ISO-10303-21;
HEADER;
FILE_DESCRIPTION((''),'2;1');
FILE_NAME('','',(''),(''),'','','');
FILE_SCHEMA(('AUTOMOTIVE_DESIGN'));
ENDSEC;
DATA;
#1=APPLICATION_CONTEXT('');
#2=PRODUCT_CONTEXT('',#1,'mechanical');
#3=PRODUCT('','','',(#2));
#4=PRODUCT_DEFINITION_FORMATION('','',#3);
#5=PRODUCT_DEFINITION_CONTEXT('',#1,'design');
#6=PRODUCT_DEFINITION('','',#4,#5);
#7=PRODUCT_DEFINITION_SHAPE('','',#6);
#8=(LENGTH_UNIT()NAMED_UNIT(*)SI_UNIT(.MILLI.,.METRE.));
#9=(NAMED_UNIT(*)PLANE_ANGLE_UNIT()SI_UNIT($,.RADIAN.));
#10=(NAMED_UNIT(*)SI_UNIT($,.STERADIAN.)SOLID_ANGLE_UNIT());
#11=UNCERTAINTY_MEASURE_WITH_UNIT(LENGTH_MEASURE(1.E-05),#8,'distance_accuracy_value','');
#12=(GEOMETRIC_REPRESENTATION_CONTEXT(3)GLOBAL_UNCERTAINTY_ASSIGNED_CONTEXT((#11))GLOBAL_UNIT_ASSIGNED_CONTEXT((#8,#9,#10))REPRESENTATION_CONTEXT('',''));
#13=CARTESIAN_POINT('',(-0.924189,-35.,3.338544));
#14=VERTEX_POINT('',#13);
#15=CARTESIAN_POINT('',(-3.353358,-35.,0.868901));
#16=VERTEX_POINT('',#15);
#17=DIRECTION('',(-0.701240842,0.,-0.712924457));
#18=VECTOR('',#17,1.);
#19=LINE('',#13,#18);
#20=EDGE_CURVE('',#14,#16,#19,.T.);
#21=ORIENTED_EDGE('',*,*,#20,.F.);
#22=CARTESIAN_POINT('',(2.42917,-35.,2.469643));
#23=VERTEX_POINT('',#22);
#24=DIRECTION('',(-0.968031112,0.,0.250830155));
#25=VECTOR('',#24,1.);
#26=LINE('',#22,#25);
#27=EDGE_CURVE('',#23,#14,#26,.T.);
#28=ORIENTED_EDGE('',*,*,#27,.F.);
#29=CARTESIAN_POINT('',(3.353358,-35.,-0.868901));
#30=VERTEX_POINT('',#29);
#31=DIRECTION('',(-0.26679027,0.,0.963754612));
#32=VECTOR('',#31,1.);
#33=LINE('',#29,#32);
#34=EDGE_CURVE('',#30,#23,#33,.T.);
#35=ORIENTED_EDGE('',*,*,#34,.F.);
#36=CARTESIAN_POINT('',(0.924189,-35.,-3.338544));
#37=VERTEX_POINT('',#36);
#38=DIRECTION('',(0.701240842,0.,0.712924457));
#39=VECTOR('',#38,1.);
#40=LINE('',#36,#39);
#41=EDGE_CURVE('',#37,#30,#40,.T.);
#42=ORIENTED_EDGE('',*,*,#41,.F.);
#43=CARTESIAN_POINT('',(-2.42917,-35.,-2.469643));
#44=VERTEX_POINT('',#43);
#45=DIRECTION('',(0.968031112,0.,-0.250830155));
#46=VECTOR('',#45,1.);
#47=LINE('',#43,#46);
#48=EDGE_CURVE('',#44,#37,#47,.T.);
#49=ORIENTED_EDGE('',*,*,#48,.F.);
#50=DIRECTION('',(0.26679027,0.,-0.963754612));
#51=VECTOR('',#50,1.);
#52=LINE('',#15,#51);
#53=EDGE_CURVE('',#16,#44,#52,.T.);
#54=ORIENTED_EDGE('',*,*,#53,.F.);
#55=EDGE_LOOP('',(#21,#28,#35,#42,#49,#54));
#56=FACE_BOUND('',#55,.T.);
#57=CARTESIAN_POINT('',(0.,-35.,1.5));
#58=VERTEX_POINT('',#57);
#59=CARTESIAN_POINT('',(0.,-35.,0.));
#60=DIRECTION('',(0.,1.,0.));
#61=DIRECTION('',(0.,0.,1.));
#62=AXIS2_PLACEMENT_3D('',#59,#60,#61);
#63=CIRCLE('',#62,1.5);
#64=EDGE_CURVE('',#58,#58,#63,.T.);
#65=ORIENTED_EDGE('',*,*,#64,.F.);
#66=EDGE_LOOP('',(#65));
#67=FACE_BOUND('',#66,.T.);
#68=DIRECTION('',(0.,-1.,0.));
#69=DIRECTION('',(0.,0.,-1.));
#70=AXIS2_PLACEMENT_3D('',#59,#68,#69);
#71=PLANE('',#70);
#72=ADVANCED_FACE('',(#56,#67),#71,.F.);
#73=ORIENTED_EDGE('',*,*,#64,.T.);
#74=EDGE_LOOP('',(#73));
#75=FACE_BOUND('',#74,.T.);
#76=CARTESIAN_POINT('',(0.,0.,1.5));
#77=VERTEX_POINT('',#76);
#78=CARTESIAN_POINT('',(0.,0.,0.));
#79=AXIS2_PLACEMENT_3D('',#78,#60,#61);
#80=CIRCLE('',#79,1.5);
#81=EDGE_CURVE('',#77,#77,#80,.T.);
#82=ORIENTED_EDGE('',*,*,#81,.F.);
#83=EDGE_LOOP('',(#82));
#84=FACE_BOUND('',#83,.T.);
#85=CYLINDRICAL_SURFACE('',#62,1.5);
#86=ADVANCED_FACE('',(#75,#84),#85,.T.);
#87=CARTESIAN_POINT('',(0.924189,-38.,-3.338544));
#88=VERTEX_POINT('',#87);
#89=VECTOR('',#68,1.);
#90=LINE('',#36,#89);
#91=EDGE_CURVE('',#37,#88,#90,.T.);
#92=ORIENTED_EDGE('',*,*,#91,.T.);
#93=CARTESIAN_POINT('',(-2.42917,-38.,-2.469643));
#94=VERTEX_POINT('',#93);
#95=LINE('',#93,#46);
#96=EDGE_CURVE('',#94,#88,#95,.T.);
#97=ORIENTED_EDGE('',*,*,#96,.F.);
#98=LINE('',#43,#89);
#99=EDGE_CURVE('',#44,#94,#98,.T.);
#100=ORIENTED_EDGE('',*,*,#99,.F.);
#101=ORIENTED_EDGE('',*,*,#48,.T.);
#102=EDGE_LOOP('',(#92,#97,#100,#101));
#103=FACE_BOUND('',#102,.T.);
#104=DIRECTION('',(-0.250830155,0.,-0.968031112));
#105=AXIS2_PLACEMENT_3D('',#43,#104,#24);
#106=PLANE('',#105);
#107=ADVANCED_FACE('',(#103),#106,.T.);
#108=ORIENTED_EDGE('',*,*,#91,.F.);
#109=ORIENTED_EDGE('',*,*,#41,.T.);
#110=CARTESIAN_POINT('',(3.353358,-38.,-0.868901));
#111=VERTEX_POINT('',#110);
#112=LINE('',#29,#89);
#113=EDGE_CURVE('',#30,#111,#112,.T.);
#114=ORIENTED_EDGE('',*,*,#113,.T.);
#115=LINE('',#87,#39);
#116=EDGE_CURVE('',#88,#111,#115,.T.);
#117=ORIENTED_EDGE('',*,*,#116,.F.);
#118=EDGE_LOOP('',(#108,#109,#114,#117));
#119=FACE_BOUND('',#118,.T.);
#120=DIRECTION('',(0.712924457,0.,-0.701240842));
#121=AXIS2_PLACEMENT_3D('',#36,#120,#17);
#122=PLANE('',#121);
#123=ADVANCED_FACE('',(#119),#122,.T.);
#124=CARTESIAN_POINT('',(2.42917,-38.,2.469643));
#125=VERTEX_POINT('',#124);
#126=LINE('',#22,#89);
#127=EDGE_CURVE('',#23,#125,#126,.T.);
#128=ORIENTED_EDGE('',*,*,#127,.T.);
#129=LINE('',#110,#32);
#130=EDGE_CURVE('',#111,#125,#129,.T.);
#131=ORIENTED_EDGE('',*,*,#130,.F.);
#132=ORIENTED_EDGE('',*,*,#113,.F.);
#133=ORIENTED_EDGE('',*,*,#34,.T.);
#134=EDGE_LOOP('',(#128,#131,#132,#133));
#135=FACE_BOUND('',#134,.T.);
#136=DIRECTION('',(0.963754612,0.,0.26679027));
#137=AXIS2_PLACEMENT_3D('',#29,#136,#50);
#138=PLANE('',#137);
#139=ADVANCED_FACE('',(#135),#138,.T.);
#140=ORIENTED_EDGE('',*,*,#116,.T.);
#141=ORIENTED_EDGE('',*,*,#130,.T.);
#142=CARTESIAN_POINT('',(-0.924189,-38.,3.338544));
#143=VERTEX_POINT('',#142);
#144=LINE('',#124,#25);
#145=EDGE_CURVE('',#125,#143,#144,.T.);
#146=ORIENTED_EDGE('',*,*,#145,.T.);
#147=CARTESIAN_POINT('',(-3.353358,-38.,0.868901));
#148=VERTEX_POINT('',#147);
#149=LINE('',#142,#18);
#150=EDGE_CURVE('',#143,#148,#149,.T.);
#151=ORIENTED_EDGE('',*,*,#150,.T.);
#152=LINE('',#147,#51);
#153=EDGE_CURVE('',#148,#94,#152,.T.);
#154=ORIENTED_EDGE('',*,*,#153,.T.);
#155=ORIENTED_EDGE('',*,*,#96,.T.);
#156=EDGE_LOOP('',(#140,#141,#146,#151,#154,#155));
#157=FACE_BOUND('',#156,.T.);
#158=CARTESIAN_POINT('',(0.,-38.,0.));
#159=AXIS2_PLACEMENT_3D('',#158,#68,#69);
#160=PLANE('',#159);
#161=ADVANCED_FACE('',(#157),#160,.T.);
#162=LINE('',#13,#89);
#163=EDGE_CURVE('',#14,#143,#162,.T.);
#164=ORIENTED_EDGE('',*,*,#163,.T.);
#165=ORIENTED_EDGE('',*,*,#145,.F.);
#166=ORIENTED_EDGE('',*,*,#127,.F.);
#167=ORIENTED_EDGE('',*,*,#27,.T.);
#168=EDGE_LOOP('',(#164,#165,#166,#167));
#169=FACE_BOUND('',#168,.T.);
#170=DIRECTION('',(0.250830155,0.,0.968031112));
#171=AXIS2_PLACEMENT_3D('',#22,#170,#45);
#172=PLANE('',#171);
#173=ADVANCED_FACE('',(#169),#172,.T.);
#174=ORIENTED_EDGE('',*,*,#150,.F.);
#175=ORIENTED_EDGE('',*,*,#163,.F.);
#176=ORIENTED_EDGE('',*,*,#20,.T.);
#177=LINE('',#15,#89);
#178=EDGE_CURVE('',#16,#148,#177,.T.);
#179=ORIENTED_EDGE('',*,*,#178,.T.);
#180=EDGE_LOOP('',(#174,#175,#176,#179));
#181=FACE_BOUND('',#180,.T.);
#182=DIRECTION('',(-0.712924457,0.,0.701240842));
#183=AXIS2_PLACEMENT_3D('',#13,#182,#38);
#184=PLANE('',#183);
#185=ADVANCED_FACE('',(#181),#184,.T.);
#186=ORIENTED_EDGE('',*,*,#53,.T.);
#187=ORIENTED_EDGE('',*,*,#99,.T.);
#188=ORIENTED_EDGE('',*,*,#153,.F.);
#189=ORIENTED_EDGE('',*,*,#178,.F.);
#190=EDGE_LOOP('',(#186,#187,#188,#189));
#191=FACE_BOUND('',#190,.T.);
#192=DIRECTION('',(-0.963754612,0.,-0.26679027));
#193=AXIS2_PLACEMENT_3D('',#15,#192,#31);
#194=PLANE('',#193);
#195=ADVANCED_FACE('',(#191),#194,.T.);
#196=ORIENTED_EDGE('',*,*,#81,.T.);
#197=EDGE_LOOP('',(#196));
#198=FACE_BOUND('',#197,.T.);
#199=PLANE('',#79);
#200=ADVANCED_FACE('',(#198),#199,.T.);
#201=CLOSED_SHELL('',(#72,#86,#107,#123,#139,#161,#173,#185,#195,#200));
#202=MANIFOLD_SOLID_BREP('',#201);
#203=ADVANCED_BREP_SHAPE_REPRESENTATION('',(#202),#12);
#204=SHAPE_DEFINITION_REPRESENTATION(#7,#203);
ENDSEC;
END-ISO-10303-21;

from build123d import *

# Parameters (mm, degrees)
BOSS_EXTRU_1_DEPTH = 3
ESQUISSE2_W        = 1.5
ESQUISSE2_H        = 35


with BuildPart() as part:
    # Esquisse1 → Boss.-Extru.1 (new body)
    with BuildSketch(Plane.XZ.offset(38)):
        Polygon((0.924188604, -3.338543908), (3.353358138, -0.868901145), (2.429169534, 2.469642763), (-0.924188604, 3.338543908), (-3.353358138, 0.868901145), (-2.429169534, -2.469642763), align=None)
    extrude(amount=-BOSS_EXTRU_1_DEPTH)

    # Esquisse2 → Révolution1 (revolve)
    with BuildSketch(Plane(origin=(0, 0, 0), x_dir=(-1, 0, 0), z_dir=(0, 0, -1)), mode=Mode.PRIVATE) as r_volution1_sk:
        with Locations((-0.75, -17.5)):
            Rectangle(ESQUISSE2_W, ESQUISSE2_H)
    revolve(r_volution1_sk.sketch.rotate(Axis((0, -35, 0), (0, 1, 0)), 270), axis=Axis((0, -35, 0), (0, 1, 0)))


solid = part.part
